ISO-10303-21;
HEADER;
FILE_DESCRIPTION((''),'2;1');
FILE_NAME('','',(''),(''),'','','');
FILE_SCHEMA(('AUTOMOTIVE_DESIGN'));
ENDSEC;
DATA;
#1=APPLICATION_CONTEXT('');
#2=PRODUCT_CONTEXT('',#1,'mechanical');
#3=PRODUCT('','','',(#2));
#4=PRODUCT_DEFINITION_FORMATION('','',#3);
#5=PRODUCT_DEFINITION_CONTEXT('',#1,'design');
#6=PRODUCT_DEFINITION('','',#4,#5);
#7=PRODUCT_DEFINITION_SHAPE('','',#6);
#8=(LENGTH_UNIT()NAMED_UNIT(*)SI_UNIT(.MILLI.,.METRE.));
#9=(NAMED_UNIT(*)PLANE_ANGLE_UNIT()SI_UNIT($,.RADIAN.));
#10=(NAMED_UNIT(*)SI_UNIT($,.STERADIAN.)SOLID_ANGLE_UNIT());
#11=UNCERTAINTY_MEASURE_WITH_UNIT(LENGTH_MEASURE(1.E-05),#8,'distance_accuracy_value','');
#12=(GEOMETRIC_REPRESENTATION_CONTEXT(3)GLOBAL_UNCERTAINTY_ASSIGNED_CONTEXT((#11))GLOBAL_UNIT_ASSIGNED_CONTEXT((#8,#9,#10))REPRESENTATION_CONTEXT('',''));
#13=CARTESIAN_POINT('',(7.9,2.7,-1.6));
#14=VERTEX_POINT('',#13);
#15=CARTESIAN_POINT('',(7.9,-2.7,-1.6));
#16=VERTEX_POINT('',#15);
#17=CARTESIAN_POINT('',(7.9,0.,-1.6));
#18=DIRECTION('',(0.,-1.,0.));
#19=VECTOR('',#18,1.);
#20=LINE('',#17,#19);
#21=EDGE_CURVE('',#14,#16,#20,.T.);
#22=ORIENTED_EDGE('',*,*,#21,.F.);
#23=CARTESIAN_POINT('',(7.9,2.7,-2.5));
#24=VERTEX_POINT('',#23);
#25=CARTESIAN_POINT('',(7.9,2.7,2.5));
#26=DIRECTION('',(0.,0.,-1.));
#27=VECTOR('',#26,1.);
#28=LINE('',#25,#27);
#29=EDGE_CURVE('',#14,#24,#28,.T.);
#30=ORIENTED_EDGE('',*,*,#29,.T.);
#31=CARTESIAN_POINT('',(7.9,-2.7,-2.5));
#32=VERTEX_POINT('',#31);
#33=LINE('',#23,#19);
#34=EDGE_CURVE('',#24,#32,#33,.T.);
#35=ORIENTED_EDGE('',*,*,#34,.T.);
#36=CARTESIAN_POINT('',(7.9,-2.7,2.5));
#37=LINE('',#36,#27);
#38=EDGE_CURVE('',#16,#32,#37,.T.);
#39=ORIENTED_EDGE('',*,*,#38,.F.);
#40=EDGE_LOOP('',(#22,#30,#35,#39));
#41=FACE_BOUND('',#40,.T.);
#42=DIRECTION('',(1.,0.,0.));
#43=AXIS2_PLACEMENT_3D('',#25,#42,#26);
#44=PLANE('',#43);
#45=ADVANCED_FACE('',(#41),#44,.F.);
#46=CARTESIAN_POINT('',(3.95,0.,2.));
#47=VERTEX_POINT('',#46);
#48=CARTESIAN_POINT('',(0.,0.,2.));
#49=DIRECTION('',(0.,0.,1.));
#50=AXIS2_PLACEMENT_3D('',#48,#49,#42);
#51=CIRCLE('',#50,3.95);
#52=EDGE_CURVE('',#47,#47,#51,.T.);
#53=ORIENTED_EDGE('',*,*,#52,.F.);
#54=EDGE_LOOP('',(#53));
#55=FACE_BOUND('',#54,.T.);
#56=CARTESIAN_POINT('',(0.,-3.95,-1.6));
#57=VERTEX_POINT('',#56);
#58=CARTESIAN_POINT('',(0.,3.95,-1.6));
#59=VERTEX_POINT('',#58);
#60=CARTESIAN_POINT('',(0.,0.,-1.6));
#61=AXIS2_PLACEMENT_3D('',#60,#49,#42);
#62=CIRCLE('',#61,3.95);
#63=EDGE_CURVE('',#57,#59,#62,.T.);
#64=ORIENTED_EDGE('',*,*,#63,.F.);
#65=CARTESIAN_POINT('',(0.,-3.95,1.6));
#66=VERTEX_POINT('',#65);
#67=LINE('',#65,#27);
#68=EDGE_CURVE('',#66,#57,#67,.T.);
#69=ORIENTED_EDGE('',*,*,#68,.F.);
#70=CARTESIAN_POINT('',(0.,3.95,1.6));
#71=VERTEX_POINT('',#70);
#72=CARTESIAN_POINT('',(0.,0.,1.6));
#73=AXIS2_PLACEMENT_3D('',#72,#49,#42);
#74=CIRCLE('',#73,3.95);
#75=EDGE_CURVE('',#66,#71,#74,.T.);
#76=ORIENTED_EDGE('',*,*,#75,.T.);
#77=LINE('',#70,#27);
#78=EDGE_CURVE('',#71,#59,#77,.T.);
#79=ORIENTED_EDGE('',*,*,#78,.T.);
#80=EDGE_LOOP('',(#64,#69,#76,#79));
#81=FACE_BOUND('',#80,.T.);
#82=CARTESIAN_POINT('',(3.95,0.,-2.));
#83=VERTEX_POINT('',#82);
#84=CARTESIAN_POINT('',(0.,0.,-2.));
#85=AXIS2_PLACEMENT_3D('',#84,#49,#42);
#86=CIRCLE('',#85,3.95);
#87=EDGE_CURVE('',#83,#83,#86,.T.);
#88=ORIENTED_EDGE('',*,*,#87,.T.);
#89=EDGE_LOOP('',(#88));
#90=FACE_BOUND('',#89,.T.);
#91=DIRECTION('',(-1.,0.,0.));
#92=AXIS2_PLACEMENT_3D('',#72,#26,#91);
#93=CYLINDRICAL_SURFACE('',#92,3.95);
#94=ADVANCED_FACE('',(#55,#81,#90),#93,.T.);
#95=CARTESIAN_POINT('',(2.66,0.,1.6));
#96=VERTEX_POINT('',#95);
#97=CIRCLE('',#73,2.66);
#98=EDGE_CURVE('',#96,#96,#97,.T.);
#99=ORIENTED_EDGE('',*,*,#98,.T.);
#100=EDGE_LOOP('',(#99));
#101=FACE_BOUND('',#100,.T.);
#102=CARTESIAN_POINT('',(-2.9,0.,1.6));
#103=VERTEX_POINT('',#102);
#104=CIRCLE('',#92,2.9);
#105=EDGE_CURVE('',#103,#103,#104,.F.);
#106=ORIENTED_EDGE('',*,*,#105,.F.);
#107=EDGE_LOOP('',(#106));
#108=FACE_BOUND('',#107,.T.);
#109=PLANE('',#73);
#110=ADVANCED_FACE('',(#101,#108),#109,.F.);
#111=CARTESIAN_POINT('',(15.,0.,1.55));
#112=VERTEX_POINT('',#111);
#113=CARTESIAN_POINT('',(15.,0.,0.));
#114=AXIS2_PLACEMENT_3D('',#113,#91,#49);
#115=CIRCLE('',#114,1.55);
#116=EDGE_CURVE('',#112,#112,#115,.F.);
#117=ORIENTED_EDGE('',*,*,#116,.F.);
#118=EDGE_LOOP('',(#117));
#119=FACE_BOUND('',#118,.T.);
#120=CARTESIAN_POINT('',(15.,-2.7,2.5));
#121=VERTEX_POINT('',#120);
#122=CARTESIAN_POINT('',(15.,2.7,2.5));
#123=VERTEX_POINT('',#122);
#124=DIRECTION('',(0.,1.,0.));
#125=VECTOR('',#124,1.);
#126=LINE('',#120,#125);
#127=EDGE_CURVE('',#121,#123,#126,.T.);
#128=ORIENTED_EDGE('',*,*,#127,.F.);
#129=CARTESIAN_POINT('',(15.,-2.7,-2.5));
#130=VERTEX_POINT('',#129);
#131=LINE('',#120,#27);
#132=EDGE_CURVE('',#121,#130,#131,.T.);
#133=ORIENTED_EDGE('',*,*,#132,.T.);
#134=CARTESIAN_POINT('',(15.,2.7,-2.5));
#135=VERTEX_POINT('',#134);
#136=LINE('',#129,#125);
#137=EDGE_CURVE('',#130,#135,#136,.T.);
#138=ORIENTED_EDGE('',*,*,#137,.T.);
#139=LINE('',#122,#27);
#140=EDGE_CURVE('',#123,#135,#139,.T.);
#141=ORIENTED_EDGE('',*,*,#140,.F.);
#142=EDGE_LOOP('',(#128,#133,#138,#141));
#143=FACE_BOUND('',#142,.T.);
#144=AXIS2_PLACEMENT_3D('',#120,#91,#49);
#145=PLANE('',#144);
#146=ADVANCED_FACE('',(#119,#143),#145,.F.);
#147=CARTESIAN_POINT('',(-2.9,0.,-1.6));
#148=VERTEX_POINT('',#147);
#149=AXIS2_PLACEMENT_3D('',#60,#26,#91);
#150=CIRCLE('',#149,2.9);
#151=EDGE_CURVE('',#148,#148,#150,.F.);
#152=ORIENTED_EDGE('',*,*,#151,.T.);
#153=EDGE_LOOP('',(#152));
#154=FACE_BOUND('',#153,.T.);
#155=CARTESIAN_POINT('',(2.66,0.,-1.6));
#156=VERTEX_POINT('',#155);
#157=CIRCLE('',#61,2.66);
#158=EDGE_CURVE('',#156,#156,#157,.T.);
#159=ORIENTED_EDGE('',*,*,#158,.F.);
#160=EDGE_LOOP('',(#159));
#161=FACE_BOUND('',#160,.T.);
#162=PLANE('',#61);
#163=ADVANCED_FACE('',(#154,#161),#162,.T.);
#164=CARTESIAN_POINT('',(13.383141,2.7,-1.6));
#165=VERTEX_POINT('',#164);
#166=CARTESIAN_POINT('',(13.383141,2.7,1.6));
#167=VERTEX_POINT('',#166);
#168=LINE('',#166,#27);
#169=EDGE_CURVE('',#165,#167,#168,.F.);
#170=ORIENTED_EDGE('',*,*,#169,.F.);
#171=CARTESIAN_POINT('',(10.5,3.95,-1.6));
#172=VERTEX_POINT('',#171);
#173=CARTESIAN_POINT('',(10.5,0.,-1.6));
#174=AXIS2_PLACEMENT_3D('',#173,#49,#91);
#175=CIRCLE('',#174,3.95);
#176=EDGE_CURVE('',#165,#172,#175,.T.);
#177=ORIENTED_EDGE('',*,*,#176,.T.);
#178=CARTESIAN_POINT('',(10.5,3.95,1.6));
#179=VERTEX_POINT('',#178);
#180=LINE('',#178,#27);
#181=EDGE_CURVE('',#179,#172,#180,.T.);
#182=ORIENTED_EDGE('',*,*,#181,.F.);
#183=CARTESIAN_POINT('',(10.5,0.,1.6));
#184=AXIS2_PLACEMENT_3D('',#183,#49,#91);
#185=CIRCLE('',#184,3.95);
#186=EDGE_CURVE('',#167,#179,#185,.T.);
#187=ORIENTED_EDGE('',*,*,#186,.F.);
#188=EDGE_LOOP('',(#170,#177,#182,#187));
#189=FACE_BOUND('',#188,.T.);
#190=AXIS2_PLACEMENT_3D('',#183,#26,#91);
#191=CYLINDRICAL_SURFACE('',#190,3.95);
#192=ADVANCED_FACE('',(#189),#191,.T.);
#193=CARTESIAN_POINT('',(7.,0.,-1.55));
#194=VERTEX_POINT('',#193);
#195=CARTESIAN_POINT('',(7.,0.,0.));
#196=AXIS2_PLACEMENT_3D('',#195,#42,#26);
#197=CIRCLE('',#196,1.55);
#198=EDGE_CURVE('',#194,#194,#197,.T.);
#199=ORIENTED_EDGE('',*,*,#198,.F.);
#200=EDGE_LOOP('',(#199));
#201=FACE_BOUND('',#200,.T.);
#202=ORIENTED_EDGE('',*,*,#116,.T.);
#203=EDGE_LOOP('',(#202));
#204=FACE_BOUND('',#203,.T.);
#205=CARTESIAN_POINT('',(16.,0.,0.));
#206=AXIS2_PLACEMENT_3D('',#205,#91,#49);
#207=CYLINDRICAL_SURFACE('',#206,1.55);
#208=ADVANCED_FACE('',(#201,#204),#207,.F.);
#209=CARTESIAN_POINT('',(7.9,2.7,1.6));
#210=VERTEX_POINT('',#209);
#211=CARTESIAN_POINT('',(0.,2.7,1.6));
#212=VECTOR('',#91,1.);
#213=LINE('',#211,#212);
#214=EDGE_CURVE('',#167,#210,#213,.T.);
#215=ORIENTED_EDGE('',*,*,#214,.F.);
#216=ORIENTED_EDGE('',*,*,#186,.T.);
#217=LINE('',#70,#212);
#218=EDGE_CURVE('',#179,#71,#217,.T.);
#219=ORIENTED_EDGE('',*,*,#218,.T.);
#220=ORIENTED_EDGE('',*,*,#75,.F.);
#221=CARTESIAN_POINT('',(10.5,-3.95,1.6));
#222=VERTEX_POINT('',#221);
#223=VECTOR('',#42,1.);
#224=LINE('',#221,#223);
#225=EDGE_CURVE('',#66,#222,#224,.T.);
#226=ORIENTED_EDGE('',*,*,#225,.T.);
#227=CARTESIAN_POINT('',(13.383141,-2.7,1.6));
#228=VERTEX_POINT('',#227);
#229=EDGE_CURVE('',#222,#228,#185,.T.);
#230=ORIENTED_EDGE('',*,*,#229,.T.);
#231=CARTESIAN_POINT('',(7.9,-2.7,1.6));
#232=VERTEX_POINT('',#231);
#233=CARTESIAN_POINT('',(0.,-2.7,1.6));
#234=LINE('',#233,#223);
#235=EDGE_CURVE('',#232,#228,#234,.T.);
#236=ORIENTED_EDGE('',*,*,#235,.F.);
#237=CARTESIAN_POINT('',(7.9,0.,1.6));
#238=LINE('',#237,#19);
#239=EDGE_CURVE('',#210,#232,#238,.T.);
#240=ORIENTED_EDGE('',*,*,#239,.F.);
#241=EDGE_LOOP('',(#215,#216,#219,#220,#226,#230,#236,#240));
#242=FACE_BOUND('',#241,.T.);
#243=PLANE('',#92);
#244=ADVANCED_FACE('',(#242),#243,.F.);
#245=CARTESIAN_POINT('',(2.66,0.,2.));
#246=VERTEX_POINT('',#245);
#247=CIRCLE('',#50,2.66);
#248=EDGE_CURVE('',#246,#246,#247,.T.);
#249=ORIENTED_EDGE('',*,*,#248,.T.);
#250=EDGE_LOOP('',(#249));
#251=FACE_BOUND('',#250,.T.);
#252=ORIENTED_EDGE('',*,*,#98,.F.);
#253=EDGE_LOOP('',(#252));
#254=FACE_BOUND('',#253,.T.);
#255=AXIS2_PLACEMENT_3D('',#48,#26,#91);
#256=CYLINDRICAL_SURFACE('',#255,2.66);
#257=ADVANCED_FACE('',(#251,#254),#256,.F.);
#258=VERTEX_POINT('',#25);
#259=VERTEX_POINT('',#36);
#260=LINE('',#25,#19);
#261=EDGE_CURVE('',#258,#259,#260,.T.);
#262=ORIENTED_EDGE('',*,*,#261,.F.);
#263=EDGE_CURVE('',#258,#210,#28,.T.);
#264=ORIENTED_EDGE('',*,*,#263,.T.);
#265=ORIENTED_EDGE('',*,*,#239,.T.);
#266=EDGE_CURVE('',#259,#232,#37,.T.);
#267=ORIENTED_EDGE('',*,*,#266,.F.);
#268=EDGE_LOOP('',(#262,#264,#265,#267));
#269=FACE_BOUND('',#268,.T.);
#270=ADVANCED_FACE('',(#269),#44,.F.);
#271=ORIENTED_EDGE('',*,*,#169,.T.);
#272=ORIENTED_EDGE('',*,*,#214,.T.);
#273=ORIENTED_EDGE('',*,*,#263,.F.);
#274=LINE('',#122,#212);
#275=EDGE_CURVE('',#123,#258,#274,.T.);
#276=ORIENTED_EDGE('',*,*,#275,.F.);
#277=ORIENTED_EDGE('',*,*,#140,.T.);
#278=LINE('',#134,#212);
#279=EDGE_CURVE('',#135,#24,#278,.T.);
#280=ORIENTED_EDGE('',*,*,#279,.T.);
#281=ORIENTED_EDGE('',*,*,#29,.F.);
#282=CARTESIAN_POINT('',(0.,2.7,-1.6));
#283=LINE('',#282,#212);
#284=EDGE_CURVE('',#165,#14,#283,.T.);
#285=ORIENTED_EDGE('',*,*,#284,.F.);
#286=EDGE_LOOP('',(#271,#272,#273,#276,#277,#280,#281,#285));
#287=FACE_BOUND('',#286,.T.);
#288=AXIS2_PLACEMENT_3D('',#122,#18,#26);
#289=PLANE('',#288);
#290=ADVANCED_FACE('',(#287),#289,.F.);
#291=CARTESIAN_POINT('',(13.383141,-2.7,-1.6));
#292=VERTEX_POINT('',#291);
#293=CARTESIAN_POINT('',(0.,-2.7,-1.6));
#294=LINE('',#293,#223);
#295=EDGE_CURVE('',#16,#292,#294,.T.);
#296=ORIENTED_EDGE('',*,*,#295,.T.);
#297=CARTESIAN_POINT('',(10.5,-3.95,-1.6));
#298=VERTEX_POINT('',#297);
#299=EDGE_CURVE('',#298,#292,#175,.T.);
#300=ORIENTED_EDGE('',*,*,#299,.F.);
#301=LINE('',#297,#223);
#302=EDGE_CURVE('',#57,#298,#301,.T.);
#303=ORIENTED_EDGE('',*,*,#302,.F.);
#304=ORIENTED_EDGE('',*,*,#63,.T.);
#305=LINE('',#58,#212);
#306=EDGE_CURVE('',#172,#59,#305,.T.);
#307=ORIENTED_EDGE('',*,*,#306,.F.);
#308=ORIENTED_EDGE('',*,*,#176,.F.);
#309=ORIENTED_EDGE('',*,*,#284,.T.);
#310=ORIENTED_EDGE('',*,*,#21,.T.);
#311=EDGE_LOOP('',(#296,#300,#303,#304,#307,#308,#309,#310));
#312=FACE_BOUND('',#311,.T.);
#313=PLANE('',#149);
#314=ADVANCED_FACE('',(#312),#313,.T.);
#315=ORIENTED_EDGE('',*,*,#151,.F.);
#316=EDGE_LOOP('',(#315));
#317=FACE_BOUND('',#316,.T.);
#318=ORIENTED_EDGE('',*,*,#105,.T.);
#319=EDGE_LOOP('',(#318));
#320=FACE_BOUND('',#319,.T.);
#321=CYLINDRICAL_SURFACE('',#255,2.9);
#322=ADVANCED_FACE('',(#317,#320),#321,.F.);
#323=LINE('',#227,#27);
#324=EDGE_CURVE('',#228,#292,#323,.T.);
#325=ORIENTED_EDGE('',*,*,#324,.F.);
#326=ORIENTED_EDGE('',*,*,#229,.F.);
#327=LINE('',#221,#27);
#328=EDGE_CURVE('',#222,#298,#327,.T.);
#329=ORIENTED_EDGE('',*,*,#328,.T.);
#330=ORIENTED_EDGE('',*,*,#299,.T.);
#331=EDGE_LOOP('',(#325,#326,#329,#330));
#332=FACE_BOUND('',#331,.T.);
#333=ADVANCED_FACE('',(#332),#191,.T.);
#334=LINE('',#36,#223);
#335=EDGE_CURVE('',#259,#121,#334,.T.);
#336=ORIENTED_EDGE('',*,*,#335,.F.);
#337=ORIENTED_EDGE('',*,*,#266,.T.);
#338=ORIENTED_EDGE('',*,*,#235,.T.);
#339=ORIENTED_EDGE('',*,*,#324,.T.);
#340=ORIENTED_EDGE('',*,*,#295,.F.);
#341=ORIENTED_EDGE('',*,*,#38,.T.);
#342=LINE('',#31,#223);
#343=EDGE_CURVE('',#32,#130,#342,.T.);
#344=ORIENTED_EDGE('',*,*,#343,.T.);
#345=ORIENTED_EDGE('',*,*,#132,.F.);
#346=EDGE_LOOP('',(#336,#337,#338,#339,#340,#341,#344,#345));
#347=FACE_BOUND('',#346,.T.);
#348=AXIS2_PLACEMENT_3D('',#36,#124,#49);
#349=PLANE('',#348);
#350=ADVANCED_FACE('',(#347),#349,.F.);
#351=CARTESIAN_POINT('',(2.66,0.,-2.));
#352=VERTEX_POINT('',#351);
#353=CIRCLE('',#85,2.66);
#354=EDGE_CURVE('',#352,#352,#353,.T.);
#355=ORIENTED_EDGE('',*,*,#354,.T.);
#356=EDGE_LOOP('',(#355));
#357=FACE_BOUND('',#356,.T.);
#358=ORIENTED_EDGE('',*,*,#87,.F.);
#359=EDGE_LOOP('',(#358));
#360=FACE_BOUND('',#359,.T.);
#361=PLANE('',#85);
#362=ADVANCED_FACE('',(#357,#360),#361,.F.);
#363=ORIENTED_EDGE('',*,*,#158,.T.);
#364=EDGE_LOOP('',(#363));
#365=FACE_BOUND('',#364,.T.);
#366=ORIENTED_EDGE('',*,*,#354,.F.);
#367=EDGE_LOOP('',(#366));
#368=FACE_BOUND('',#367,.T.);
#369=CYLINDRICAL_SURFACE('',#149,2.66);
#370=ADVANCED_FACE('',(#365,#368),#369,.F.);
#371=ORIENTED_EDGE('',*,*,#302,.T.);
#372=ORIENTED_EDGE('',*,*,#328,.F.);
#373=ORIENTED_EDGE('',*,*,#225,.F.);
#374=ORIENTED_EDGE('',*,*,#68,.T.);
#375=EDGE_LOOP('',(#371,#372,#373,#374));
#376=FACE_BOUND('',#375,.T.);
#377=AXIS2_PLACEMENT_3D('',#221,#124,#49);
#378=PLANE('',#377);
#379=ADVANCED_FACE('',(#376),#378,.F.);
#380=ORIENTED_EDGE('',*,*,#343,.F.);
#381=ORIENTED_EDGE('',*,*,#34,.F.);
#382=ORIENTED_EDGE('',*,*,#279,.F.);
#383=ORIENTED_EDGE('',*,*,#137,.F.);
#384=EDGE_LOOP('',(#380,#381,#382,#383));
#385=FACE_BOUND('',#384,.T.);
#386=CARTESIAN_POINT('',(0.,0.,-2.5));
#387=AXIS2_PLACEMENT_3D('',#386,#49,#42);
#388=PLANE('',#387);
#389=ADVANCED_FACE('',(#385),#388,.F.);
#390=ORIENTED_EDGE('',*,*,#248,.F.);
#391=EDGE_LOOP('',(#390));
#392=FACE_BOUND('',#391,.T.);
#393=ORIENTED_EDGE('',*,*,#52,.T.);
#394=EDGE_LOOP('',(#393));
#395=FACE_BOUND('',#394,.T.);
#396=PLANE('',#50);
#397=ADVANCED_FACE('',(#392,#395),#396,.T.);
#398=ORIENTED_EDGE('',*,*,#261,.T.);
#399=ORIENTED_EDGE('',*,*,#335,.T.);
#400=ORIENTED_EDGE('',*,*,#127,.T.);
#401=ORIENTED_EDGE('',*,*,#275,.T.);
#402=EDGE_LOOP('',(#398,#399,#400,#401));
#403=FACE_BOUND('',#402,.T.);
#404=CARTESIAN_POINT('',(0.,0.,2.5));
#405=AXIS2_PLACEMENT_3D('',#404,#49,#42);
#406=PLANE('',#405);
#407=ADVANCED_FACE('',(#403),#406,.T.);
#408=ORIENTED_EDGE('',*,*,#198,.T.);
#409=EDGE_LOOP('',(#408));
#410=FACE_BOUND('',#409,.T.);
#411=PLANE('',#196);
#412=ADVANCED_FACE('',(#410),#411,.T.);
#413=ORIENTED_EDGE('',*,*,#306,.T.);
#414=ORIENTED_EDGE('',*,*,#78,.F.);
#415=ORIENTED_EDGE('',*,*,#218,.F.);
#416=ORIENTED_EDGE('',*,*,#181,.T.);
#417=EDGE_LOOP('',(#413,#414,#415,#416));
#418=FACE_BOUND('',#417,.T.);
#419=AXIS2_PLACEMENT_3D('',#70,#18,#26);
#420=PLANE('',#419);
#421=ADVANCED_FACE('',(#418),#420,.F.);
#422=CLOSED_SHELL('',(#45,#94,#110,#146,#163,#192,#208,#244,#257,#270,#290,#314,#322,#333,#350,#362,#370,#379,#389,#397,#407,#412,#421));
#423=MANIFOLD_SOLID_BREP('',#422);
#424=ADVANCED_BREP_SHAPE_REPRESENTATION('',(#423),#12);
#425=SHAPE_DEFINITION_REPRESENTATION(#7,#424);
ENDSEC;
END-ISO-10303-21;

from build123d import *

# Parameters (mm, degrees)
F_01_START                              = -1.6
F_01_SOCKET_HEAD_AND_SHANK_DEPTH        = 3.2
F_02_START                              = -2
S02_ARTICULATION_OPENING_R              = 2.9
F_02_ARTICULATION_OPENING_DEPTH         = 4
F_03_START                              = -2
S03_CAPTIVE_SPHERICAL_SEAT_LIP_1_R      = 3.95
S03_CAPTIVE_SPHERICAL_SEAT_LIP_1_R_2    = 2.66
F_03_CAPTIVE_SPHERICAL_SEAT_LIP_1_DEPTH = 0.4
F_04_START                              = 1.6
S04_CAPTIVE_SPHERICAL_SEAT_LIP_2_R      = 3.95
S04_CAPTIVE_SPHERICAL_SEAT_LIP_2_R_2    = 2.66
F_04_CAPTIVE_SPHERICAL_SEAT_LIP_2_DEPTH = 0.4
F_05_START                              = -2.5
S05_ROD_THREAD_BOSS_W                   = 7.1
S05_ROD_THREAD_BOSS_H                   = 5.4
F_05_ROD_THREAD_BOSS_DEPTH              = 5
F_06_START                              = 7
S06_M3_INTERNAL_THREAD_ENVELOPE_R       = 1.55
F_06_M3_INTERNAL_THREAD_ENVELOPE_DEPTH  = 9


with BuildPart() as part:
    # S01 - Socket head and shank → 01 - Socket head and shank (new body)
    with BuildSketch(Plane.XY.offset(F_01_START)):
        with BuildLine():
            Line((0, 3.95), (10.5, 3.95))
            ThreePointArc((10.5, 3.95), (14.45, 0), (10.5, -3.95))
            Line((10.5, -3.95), (0, -3.95))
            ThreePointArc((0, -3.95), (-3.95, 0), (0, 3.95))
        make_face()
    extrude(amount=F_01_SOCKET_HEAD_AND_SHANK_DEPTH)

    # S02 - Articulation opening → 02 - Articulation opening (cut)
    with BuildSketch(Plane.XY.offset(F_02_START)):
        Circle(S02_ARTICULATION_OPENING_R)
    extrude(amount=F_02_ARTICULATION_OPENING_DEPTH, mode=Mode.SUBTRACT)

    # S03 - Captive spherical seat lip 1 → 03 - Captive spherical seat lip 1 (add)
    with BuildSketch(Plane.XY.offset(F_03_START)):
        Circle(S03_CAPTIVE_SPHERICAL_SEAT_LIP_1_R)
        Circle(S03_CAPTIVE_SPHERICAL_SEAT_LIP_1_R_2, mode=Mode.SUBTRACT)
    extrude(amount=F_03_CAPTIVE_SPHERICAL_SEAT_LIP_1_DEPTH)

    # S04 - Captive spherical seat lip 2 → 04 - Captive spherical seat lip 2 (add)
    with BuildSketch(Plane.XY.offset(F_04_START)):
        Circle(S04_CAPTIVE_SPHERICAL_SEAT_LIP_2_R)
        Circle(S04_CAPTIVE_SPHERICAL_SEAT_LIP_2_R_2, mode=Mode.SUBTRACT)
    extrude(amount=F_04_CAPTIVE_SPHERICAL_SEAT_LIP_2_DEPTH)

    # S05 - Rod thread boss → 05 - Rod thread boss (add)
    with BuildSketch(Plane.XY.offset(F_05_START)):
        with Locations((11.45, 0)):
            Rectangle(S05_ROD_THREAD_BOSS_W, S05_ROD_THREAD_BOSS_H)
    extrude(amount=F_05_ROD_THREAD_BOSS_DEPTH)

    # S06 - M3 internal thread envelope → 06 - M3 internal thread envelope (cut)
    with BuildSketch(Plane(origin=(0, 0, 0), x_dir=(0, 0, -1), z_dir=(1, 0, 0)).offset(F_06_START)):
        Circle(S06_M3_INTERNAL_THREAD_ENVELOPE_R)
    extrude(amount=F_06_M3_INTERNAL_THREAD_ENVELOPE_DEPTH, mode=Mode.SUBTRACT)


solid = part.part
